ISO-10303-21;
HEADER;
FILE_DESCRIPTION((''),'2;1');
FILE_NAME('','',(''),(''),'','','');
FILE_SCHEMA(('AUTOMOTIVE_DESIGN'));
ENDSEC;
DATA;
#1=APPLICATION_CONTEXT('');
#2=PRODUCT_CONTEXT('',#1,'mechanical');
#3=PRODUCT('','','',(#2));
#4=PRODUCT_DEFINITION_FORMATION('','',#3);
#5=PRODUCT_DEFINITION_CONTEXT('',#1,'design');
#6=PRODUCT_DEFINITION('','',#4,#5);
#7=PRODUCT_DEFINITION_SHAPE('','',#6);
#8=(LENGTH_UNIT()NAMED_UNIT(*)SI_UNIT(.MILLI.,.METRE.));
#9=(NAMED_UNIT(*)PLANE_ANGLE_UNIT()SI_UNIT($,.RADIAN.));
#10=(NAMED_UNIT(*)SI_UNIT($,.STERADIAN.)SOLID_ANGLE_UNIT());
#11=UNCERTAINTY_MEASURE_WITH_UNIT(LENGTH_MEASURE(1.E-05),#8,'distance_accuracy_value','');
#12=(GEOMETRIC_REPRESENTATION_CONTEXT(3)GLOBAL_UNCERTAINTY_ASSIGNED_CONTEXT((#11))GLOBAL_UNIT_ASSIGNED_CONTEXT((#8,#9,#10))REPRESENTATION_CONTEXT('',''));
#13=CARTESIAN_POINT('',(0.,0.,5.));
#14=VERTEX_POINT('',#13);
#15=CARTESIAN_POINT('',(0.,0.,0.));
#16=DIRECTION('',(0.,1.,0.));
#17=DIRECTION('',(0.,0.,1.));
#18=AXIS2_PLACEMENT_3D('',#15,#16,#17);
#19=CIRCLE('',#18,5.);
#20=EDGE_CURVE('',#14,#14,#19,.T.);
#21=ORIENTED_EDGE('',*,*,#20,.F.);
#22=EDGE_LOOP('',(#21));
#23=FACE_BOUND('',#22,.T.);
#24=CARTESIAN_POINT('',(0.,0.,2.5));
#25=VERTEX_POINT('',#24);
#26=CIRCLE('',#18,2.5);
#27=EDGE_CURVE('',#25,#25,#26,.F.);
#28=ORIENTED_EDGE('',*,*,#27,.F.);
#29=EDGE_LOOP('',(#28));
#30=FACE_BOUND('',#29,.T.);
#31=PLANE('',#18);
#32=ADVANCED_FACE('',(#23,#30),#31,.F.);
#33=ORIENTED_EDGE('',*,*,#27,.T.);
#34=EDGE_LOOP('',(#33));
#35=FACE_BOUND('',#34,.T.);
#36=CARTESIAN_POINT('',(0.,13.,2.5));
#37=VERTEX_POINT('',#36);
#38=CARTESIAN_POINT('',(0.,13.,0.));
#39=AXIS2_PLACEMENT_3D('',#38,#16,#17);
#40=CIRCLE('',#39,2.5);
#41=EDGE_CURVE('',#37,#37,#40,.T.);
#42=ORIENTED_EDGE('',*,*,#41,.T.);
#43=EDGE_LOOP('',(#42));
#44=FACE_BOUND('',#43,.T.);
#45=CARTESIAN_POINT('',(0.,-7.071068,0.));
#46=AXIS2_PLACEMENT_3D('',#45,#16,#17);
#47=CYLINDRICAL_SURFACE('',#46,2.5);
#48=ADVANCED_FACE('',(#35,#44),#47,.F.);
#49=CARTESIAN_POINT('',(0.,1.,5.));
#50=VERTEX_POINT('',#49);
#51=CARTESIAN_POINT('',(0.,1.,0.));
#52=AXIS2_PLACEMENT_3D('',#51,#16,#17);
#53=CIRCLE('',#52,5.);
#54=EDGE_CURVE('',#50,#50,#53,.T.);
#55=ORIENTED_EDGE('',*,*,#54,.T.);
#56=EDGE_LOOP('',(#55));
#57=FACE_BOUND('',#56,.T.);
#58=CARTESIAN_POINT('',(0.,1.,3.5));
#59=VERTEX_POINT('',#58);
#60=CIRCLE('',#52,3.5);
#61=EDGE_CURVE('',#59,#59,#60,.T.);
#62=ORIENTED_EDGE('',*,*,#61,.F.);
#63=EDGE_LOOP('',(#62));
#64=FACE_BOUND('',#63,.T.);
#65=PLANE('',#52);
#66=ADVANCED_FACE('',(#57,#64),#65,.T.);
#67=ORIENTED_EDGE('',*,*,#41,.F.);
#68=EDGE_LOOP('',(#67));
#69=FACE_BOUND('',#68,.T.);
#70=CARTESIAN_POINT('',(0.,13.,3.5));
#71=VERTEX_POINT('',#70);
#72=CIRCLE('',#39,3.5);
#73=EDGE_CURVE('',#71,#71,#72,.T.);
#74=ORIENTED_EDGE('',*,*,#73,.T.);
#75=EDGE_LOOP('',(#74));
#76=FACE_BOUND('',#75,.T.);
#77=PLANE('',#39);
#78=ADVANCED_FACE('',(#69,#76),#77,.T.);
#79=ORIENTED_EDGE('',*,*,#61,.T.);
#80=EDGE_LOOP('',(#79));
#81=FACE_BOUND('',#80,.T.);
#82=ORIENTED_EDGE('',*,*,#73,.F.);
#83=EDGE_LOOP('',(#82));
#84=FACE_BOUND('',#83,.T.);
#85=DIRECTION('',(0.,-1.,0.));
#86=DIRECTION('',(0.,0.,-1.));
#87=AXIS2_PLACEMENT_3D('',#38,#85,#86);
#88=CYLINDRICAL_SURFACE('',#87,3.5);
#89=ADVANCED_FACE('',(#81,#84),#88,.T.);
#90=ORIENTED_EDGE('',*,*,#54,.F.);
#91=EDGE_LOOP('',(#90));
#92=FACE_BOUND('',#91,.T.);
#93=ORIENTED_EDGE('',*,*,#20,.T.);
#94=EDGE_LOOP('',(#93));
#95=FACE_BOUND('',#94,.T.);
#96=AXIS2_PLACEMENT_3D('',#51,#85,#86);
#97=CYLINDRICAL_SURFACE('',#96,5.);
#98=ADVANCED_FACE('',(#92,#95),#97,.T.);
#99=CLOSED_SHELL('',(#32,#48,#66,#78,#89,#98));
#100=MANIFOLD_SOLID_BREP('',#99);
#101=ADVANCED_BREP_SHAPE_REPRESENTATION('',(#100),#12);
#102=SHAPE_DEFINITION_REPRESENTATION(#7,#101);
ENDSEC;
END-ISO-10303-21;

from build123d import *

# Parameters (mm, degrees)
SKETCH1_R           = 5
BOSS_EXTRUDE1_DEPTH = 1
SKETCH2_R           = 3.5
BOSS_EXTRUDE2_DEPTH = 12
SKETCH3_R           = 2.5
CUT_EXTRUDE1_DEPTH  = 13


with BuildPart() as part:
    # Sketch1 → Boss-Extrude1 (new body)
    with BuildSketch(Plane(origin=(0, 0, 0), x_dir=(1, 0, 0), z_dir=(0, 1, 0))):
        Circle(SKETCH1_R)
    extrude(amount=BOSS_EXTRUDE1_DEPTH)

    # Sketch2 → Boss-Extrude2 (add)
    with BuildSketch(Plane(origin=(0, 1, 0), x_dir=(1, 0, 0), z_dir=(0, 1, 0))):
        Circle(SKETCH2_R)
    extrude(amount=BOSS_EXTRUDE2_DEPTH)

    # Sketch3 → Cut-Extrude1 (cut)
    with BuildSketch(Plane(origin=(0, 13, 0), x_dir=(1, 0, 0), z_dir=(0, 1, 0))):
        Circle(SKETCH3_R)
    extrude(amount=-CUT_EXTRUDE1_DEPTH, mode=Mode.SUBTRACT)


solid = part.part
